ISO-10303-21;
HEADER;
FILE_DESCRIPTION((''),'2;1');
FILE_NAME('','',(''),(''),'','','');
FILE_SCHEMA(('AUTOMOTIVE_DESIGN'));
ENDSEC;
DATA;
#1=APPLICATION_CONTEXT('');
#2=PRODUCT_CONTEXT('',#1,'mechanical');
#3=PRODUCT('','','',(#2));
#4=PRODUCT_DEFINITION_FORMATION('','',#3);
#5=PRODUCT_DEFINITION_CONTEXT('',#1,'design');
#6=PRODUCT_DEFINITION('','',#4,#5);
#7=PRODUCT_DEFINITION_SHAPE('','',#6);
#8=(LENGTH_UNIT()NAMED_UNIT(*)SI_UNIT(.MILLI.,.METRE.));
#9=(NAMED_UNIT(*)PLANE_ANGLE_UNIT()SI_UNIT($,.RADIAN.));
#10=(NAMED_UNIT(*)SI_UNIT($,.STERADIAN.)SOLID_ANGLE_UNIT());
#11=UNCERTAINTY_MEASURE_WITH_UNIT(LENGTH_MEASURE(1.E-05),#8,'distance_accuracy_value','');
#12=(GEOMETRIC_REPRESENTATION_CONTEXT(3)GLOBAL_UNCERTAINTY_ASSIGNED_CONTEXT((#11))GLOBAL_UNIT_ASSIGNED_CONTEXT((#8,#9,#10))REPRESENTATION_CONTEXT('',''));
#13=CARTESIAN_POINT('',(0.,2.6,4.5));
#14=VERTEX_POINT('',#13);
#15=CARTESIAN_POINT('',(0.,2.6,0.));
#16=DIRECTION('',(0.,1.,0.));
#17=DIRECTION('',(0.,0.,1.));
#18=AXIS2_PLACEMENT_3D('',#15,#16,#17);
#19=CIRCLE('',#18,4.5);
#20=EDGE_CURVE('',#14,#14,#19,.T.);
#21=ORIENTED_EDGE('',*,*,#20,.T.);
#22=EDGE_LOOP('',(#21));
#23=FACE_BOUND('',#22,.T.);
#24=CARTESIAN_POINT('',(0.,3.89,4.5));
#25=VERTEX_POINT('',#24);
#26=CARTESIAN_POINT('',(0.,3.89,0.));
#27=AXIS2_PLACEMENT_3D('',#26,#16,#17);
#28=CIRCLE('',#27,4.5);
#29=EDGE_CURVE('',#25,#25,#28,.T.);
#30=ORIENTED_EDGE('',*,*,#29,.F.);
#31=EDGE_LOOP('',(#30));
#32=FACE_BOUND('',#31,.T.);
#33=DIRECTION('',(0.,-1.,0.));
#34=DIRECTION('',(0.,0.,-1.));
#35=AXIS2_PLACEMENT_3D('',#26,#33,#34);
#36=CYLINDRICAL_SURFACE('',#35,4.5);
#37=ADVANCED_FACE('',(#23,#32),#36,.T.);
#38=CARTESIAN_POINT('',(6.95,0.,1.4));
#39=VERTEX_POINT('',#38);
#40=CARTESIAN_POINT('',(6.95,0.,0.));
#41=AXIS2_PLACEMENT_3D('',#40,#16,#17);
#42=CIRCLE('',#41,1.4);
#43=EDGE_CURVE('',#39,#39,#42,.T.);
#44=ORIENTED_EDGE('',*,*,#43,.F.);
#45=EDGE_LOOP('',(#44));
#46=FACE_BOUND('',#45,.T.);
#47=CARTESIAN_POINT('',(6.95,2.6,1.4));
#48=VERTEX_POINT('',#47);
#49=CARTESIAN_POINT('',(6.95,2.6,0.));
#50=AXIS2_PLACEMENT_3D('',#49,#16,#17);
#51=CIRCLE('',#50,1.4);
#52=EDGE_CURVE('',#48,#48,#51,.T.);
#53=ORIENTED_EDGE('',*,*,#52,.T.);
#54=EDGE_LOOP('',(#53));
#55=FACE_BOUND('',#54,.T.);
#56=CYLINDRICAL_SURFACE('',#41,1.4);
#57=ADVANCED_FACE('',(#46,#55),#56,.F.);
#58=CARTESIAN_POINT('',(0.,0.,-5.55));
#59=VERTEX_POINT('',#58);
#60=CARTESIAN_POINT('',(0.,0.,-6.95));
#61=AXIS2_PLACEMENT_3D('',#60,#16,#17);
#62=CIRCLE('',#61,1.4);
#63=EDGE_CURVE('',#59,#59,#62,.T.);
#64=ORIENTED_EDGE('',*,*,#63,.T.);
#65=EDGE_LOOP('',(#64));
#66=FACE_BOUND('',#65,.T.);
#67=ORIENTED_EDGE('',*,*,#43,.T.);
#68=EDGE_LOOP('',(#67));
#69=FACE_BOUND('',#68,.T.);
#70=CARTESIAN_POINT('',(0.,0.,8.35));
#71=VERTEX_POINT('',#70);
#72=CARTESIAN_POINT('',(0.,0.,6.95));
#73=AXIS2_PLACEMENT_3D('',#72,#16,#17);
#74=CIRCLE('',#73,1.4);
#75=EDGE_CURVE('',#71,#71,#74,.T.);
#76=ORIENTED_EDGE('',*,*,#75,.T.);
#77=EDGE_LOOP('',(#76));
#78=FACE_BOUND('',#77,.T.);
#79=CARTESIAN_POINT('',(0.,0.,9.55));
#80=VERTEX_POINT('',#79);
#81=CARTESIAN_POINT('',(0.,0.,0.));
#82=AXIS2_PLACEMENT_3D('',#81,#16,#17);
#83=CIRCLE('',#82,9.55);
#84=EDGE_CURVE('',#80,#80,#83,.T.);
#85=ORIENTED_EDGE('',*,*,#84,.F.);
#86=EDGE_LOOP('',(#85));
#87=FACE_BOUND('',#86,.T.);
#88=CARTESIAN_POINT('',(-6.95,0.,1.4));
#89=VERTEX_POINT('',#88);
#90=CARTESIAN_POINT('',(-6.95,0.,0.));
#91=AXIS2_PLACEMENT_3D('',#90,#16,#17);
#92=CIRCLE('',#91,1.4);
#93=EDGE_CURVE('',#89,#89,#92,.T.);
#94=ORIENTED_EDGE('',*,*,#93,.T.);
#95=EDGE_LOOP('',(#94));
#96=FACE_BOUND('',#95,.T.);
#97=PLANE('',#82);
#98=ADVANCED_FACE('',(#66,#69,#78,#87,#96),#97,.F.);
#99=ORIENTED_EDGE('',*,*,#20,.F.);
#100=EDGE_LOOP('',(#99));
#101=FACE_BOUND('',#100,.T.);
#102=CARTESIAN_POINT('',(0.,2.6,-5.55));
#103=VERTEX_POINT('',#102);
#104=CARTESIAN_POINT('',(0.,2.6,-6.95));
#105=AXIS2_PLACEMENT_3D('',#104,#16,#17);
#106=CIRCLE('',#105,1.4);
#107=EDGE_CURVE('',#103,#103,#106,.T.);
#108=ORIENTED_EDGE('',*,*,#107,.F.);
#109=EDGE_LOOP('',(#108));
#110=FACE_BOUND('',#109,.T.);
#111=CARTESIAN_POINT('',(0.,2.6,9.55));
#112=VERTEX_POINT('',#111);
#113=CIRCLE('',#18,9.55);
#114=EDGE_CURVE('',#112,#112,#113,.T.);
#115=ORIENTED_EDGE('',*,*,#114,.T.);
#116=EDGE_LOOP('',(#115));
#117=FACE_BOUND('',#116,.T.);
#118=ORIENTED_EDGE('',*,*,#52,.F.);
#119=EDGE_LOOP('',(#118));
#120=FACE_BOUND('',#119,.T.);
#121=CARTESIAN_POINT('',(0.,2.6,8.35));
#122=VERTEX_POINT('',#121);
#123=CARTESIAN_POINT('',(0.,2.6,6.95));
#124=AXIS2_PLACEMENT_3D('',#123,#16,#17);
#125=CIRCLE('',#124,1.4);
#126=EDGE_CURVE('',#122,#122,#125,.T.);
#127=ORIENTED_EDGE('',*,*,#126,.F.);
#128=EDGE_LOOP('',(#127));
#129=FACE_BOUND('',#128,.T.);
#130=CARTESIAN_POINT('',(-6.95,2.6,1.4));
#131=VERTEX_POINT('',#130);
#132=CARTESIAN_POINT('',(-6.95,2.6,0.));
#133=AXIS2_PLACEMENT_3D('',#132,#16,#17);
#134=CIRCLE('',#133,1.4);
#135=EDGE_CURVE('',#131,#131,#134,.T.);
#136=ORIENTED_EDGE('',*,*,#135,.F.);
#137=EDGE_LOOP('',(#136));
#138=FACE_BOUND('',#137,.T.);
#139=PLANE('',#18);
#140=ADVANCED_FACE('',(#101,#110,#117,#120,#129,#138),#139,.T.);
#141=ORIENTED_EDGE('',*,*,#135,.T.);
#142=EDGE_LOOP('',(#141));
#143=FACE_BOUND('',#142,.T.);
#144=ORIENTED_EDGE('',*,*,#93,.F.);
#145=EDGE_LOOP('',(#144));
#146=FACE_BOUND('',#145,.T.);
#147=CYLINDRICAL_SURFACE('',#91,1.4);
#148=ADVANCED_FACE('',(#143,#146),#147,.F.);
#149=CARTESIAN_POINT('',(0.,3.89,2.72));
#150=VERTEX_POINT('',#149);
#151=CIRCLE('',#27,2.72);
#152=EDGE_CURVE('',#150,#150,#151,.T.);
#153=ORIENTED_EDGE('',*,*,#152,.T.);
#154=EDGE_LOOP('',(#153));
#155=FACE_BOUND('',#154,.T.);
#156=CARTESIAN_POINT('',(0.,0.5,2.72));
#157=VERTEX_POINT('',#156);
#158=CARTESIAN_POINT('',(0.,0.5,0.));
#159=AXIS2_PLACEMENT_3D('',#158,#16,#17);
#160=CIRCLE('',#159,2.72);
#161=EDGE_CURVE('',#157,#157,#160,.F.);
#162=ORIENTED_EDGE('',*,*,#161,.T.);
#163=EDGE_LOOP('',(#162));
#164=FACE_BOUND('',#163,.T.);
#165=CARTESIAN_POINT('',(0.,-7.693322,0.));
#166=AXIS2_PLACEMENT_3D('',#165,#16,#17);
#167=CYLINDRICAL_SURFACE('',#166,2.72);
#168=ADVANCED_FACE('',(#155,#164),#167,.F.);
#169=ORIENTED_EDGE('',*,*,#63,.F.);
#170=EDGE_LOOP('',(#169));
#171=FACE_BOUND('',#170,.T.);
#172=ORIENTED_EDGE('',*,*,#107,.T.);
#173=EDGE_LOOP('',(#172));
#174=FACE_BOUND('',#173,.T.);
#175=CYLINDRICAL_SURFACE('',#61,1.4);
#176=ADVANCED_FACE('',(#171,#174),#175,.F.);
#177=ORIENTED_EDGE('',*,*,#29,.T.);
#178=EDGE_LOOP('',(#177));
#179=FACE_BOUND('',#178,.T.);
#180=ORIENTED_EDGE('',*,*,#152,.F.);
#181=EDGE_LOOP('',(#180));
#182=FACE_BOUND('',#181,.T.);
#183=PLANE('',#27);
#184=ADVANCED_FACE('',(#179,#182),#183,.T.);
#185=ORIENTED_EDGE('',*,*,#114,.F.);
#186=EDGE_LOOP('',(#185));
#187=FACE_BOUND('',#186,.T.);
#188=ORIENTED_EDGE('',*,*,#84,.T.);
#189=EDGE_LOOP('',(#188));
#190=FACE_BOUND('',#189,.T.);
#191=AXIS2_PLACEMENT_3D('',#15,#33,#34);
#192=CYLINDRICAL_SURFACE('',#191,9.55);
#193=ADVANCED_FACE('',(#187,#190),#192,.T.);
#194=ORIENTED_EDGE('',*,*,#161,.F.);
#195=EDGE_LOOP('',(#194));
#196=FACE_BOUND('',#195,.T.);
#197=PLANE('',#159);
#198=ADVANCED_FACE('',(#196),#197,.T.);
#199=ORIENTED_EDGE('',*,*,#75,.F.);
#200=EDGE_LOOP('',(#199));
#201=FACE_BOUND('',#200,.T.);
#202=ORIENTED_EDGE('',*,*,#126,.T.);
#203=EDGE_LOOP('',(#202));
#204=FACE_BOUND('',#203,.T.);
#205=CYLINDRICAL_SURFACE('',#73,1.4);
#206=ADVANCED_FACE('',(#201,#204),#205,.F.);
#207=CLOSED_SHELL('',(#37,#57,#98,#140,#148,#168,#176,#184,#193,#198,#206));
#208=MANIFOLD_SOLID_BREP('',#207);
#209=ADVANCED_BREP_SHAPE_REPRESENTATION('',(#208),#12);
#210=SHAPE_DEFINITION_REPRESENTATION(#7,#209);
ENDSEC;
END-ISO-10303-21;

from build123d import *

# Parameters (mm, degrees)
SKETCH1_R               = 9.55
BOSS_EXTRUDE1_DEPTH     = 2.6
SKETCH2_R               = 4.5
BOSS_EXTRUDE2_DEPTH     = 1.29
CUT_EXTRUDE1_DEPTH      = 15.054789219
CUT_EXTRUDE1_DEPTH_BACK = 3.39
SKETCH3_R               = 2.72
SKETCH4_R               = 1.4
CUT_EXTRUDE2_DEPTH      = 14.753726768


with BuildPart() as part:
    # Sketch1 → Boss-Extrude1 (new body)
    with BuildSketch(Plane(origin=(0, 0, 0), x_dir=(1, 0, 0), z_dir=(0, 1, 0))):
        with Locations(Location((0, 0, 0), (0, 0, 270))):
            Circle(SKETCH1_R)
    extrude(amount=BOSS_EXTRUDE1_DEPTH)

    # Sketch2 → Boss-Extrude2 (add)
    with BuildSketch(Plane(origin=(0, 2.6, 0), x_dir=(1, 0, 0), z_dir=(0, 1, 0))):
        with Locations(Location((0, 0, 0), (0, 0, 270))):
            Circle(SKETCH2_R)
    extrude(amount=BOSS_EXTRUDE2_DEPTH)

    # Sketch3 → Cut-Extrude1 (cut, two sides: drawn at the far end of the back side and taken through both)
    with BuildSketch(Plane(origin=(0, 3.89, 0), x_dir=(1, 0, 0), z_dir=(0, 1, 0)).offset(-CUT_EXTRUDE1_DEPTH_BACK)):
        with Locations(Location((0, 0, 0), (0, 0, 270))):
            Circle(SKETCH3_R)
    extrude(amount=CUT_EXTRUDE1_DEPTH + CUT_EXTRUDE1_DEPTH_BACK, mode=Mode.SUBTRACT)

    # Sketch4 → Cut-Extrude2 (cut, through all)
    with BuildSketch(Plane(origin=(0, 2.6, 0), x_dir=(1, 0, 0), z_dir=(0, 1, 0))):
        with Locations(Location((0, 6.95, 0), (0, 0, 270))):
            Circle(SKETCH4_R)
        with Locations(Location((6.95, 0, 0), (0, 0, 270))):
            Circle(SKETCH4_R)
        with Locations(Location((0, -6.95, 0), (0, 0, 270))):
            Circle(SKETCH4_R)
        with Locations(Location((-6.95, 0, 0), (0, 0, 270))):
            Circle(SKETCH4_R)
    extrude(amount=-CUT_EXTRUDE2_DEPTH, mode=Mode.SUBTRACT)


solid = part.part
